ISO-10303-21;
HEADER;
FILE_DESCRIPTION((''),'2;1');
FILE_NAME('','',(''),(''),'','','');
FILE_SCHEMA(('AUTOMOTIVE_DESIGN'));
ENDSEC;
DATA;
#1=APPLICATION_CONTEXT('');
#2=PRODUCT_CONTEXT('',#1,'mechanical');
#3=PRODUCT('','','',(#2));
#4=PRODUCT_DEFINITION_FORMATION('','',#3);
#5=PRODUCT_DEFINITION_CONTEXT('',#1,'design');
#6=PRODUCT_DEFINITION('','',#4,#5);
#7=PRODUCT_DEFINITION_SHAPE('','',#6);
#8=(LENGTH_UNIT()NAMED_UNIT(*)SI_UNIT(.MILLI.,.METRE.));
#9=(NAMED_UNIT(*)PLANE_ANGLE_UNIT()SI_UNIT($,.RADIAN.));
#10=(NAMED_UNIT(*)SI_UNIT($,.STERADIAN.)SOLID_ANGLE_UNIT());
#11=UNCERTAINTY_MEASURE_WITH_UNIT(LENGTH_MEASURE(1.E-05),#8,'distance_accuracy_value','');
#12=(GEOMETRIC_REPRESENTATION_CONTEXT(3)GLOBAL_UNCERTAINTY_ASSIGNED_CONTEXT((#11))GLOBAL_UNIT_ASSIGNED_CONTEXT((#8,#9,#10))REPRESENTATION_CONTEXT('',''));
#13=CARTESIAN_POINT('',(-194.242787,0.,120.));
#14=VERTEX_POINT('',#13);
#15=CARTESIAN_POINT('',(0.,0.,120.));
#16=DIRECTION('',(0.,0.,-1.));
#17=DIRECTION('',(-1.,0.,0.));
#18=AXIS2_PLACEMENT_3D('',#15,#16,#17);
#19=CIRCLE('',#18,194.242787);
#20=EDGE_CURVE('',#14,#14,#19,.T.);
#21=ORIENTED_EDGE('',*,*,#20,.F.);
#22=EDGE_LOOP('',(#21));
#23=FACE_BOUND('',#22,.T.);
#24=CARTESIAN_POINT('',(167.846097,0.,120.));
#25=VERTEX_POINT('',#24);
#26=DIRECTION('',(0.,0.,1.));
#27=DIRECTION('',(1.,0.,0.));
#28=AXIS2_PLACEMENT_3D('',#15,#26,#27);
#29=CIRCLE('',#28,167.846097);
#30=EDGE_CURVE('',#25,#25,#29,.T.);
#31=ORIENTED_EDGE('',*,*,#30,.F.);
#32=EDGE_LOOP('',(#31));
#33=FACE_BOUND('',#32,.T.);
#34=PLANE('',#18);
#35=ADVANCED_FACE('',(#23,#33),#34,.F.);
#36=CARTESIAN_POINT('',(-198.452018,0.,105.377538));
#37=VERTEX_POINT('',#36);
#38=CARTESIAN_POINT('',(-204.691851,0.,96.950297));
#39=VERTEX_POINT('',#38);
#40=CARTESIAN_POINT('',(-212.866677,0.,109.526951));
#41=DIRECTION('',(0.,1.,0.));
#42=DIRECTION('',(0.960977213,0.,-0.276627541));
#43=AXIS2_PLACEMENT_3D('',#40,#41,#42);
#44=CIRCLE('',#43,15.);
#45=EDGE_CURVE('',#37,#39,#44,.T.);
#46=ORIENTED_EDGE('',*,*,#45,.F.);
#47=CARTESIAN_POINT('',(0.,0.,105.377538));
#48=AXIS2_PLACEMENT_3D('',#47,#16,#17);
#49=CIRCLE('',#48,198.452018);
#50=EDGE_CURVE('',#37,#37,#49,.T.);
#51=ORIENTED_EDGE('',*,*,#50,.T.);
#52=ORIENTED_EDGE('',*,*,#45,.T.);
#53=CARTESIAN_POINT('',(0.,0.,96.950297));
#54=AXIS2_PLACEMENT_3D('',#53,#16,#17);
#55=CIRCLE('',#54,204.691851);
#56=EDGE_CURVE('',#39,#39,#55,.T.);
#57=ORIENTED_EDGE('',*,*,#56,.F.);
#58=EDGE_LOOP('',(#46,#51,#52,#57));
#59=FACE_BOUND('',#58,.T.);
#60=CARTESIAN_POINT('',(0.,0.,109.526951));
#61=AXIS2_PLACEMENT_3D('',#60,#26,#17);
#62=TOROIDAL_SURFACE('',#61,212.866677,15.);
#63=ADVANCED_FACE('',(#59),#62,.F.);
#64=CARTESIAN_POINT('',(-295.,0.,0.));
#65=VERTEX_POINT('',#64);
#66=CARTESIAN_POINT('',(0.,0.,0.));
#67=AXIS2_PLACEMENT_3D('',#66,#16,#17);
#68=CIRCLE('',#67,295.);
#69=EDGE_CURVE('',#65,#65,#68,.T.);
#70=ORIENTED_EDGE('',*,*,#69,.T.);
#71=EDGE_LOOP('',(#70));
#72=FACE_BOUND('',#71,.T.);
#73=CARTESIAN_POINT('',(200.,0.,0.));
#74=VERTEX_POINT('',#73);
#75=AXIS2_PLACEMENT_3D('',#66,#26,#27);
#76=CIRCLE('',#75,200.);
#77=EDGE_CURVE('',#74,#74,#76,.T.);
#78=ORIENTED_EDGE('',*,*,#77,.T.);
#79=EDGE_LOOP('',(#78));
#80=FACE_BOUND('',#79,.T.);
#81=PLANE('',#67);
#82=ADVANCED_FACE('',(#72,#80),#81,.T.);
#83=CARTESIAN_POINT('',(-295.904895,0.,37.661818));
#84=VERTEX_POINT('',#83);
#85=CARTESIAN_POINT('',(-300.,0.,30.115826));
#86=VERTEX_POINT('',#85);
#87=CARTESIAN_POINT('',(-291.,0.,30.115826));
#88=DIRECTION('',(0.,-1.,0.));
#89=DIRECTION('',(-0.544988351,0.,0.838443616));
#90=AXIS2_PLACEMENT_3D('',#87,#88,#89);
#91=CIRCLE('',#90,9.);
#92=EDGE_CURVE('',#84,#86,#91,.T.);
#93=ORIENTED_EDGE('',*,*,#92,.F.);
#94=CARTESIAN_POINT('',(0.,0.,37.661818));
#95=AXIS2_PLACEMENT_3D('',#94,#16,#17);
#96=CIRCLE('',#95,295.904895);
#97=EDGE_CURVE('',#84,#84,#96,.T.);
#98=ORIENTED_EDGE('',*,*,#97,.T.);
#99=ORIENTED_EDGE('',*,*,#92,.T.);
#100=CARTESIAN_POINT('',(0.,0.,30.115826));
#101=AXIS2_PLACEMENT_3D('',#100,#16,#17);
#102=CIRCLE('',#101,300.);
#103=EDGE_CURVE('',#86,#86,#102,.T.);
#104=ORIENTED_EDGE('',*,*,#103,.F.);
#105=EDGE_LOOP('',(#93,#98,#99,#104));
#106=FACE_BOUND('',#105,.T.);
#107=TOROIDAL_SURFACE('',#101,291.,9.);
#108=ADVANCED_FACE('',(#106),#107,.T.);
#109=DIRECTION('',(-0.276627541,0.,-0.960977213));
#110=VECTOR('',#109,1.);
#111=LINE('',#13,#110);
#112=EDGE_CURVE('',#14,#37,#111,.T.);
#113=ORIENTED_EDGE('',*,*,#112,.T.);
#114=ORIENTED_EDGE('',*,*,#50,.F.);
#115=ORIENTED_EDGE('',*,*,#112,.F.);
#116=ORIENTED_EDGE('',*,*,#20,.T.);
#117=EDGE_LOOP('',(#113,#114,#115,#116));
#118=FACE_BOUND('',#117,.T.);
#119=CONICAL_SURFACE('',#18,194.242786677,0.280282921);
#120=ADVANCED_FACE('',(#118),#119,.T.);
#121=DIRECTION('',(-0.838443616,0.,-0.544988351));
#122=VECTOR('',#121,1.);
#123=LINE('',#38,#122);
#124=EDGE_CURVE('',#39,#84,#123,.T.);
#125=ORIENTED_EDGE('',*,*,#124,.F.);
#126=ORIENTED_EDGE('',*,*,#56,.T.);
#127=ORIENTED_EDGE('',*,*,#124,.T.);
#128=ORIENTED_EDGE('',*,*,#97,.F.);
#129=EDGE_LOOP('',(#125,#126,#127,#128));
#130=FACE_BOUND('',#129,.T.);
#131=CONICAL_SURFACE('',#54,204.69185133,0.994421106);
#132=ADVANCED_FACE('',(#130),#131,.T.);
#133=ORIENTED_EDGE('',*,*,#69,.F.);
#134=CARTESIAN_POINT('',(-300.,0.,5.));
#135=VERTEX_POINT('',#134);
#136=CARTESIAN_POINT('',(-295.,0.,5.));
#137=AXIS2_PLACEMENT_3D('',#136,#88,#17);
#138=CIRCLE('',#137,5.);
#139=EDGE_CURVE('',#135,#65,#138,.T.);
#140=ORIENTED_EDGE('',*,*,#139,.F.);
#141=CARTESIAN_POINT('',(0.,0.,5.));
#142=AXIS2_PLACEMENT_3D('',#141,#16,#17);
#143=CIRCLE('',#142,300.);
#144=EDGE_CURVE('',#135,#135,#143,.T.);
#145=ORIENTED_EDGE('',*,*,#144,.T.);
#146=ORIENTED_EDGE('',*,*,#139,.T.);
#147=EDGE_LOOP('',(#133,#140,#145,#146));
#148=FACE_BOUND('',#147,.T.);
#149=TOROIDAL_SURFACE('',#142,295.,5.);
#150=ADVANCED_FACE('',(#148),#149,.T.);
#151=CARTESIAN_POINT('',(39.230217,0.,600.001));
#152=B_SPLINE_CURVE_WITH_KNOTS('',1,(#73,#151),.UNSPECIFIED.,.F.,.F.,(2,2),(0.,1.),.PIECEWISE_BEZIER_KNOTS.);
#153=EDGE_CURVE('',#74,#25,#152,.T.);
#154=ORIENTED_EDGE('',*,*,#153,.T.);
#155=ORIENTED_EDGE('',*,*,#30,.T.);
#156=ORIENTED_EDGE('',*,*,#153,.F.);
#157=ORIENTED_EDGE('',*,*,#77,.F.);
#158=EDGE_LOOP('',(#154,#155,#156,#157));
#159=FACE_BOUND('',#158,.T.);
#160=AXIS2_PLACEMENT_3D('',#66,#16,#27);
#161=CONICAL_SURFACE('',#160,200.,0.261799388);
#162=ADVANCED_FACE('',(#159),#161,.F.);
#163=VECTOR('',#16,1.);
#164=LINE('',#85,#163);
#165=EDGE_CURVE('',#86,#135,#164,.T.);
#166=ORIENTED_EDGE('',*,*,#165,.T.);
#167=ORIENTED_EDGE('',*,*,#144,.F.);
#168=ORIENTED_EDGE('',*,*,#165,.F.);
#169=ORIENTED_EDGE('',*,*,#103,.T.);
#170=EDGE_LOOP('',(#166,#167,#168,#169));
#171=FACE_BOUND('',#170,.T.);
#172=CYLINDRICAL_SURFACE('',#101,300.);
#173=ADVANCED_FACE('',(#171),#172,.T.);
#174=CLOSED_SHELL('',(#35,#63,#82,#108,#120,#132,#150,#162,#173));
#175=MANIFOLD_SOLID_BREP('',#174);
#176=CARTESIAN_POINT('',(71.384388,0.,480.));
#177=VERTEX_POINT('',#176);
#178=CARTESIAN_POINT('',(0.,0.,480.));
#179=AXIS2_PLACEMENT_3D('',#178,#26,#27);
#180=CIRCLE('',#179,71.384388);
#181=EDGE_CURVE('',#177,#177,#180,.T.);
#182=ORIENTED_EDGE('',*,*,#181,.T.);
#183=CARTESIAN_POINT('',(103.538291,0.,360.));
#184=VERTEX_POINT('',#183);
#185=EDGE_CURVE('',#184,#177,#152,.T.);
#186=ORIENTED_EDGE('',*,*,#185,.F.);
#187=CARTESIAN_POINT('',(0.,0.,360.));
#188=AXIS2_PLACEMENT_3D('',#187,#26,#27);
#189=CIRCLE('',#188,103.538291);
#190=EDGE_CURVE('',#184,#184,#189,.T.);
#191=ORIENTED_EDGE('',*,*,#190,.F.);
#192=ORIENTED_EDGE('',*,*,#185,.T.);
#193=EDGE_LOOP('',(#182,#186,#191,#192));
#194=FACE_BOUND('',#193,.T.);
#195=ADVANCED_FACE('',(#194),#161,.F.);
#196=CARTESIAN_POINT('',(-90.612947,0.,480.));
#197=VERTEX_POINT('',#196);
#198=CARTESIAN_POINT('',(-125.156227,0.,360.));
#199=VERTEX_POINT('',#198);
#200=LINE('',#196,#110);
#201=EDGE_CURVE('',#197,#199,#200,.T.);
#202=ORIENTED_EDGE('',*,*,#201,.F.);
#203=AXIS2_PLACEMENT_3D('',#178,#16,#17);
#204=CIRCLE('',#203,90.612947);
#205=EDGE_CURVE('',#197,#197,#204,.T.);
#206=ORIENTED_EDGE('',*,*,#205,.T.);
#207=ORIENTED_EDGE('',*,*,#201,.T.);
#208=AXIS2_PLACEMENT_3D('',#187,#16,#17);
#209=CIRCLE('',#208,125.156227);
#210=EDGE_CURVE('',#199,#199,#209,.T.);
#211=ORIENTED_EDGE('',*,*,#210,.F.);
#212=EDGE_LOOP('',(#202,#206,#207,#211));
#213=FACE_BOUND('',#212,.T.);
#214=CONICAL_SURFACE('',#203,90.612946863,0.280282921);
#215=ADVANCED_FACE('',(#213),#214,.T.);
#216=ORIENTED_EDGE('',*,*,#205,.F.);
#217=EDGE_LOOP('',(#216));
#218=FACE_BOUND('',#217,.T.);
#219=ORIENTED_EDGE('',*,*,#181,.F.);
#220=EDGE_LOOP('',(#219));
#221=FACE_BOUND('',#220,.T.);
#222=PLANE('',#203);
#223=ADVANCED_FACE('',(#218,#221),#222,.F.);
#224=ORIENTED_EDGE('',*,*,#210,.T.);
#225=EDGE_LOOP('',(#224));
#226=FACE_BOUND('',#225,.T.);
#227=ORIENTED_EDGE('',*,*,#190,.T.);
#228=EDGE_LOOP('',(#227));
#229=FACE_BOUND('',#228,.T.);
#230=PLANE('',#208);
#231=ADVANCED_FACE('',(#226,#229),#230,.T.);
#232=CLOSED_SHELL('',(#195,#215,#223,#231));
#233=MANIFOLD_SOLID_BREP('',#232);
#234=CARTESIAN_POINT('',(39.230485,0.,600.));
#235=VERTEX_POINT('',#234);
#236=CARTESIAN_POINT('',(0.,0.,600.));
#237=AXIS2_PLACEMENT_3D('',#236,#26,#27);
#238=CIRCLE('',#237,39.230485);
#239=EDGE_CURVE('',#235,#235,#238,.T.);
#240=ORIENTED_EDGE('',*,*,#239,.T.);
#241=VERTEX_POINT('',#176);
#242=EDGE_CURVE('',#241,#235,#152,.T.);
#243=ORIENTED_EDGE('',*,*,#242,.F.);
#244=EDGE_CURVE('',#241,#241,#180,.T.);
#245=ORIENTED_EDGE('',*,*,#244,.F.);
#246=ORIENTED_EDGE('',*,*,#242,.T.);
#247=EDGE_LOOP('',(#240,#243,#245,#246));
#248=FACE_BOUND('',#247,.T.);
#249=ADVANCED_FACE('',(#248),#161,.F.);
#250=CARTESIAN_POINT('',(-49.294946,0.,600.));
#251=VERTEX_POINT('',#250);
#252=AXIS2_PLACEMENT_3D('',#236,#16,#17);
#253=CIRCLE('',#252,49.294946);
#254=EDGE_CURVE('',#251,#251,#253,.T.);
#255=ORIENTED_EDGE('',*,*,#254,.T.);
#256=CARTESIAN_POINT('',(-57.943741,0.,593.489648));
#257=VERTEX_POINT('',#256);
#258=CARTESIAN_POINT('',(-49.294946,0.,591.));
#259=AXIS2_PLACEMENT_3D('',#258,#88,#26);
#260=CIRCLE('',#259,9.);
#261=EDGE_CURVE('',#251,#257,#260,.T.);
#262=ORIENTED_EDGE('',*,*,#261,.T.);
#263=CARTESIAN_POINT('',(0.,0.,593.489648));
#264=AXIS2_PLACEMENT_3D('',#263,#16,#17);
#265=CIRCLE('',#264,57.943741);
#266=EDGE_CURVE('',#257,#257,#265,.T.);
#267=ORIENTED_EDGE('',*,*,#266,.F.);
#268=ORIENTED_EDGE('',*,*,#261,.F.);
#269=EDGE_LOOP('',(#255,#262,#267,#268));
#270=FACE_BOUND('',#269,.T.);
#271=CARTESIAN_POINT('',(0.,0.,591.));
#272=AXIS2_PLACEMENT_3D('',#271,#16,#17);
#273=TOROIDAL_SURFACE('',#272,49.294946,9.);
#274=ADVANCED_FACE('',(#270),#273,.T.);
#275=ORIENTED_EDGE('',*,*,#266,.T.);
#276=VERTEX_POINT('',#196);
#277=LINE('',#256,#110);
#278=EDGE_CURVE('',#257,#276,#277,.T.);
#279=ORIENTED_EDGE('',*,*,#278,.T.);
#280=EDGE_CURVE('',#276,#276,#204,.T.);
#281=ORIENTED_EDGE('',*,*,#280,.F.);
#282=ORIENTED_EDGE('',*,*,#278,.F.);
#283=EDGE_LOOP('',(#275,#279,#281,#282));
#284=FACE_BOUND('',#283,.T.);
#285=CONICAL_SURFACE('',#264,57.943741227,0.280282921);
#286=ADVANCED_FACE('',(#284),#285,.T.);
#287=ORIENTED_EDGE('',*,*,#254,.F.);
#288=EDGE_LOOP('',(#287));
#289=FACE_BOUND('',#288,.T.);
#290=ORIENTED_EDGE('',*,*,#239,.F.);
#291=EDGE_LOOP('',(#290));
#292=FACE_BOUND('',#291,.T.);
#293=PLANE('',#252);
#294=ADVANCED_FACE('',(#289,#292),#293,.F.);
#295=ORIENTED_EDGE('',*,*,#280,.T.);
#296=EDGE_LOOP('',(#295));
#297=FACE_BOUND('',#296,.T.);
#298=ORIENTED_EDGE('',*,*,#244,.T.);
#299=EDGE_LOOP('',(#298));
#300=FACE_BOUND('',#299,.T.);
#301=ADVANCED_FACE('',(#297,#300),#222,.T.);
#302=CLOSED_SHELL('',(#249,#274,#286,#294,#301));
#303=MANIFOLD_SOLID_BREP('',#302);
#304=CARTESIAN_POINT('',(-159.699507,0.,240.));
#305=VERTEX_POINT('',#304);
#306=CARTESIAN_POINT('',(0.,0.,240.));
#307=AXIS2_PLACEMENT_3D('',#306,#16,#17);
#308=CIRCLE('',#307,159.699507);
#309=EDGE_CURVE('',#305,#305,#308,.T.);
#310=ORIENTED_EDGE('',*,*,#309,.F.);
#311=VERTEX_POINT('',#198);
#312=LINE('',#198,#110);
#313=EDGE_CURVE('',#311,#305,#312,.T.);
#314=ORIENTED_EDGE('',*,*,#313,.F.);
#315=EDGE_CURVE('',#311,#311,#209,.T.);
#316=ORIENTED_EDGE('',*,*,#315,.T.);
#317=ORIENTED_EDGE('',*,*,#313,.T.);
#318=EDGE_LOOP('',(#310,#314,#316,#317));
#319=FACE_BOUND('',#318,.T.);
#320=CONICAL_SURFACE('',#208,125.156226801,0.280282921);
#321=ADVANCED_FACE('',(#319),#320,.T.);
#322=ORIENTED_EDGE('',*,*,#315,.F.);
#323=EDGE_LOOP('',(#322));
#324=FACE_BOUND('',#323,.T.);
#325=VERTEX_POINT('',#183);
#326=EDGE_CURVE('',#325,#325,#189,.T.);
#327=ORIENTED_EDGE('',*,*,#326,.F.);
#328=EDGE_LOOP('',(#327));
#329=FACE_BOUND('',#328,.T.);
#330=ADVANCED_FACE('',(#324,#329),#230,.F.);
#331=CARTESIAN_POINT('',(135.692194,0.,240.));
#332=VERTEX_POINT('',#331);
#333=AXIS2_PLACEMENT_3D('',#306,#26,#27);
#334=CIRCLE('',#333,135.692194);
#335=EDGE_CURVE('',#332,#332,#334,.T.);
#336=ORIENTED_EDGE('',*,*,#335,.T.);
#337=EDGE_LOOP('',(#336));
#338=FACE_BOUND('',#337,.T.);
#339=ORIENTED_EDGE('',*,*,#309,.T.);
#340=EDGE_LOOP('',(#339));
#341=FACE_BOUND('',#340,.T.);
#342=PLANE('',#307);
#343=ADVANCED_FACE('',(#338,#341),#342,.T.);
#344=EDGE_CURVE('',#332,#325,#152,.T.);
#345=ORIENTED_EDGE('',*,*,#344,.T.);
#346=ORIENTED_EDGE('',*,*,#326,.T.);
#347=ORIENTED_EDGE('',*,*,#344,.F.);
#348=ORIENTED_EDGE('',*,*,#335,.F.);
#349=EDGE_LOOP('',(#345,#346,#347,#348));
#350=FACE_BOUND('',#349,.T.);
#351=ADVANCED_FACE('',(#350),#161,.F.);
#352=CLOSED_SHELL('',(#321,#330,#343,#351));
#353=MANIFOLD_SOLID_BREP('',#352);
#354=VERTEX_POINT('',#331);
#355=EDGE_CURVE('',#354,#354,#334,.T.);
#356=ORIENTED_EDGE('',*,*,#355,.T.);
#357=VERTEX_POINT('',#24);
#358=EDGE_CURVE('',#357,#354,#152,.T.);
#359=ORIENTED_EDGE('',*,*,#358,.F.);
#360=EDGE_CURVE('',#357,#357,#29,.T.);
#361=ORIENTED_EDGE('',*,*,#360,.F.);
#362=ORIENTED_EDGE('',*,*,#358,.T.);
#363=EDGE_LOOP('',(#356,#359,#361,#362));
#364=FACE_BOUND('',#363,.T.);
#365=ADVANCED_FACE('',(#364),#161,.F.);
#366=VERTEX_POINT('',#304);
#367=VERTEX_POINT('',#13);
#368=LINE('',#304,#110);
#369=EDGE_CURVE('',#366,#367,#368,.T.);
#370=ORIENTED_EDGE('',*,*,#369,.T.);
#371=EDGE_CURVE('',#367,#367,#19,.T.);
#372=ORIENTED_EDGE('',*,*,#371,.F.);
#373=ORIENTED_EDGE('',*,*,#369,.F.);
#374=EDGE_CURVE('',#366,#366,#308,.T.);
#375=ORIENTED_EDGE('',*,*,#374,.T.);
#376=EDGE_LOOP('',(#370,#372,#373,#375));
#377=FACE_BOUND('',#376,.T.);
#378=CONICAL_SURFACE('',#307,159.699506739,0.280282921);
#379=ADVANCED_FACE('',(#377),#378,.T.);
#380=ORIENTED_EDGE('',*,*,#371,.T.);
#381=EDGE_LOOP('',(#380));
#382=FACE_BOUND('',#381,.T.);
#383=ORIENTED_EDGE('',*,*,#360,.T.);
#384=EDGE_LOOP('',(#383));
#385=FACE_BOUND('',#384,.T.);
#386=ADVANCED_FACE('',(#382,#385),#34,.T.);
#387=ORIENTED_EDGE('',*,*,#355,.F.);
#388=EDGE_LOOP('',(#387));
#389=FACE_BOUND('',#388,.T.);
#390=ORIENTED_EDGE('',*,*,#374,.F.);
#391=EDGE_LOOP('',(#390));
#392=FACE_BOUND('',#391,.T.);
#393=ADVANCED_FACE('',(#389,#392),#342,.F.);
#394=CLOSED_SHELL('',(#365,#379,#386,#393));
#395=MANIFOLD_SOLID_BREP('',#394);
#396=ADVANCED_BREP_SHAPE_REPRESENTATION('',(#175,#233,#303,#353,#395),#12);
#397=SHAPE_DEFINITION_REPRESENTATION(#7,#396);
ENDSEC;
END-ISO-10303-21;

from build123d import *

# Parameters (mm, degrees)
F6_R     = 200
F7_DEPTH = 600.001
F7_TAPER = 15


with BuildPart() as f1:
    # F0 (on Front) → F1 (revolve)
    with BuildSketch(Plane.XZ):
        with BuildLine():
            Line((-90.612946863, 480), (0, 480))
            Line((0, 480), (0, 600))
            Line((0, 600), (-49.294946311, 600))
            ThreePointArc((-49.294946311, 600), (-54.7075782588, 598.1905087022), (-57.9437412272, 593.489647866))
            Line((-57.9437412272, 593.489647866), (-90.612946863, 480))
        make_face()
    revolve(axis=Axis((0, 0, 300), (0, 0, -1)))


with BuildPart() as f2:
    # F0 (on Front) → F2 (revolve)
    with BuildSketch(Plane.XZ):
        Polygon((-125.156226801, 360), (0, 360), (0, 480), (-90.612946863, 480), align=None)
    revolve(axis=Axis((0, 0, 300), (0, 0, -1)))


with BuildPart() as f3:
    # F0 (on Front) → F3 (revolve)
    with BuildSketch(Plane.XZ):
        Polygon((-159.699506739, 240), (0, 240), (0, 360), (-125.156226801, 360), align=None)
    revolve(axis=Axis((0, 0, 300), (0, 0, -1)))


with BuildPart() as f4:
    # F0 (on Front) → F4 (revolve)
    with BuildSketch(Plane.XZ):
        Polygon((-194.242786677, 120), (0, 120), (0, 240), (-159.699506739, 240), align=None)
    revolve(axis=Axis((0, 0, 300), (0, 0, -1)))


with BuildPart() as f5:
    # F0 (on Front) → F5 (revolve)
    with BuildSketch(Plane.XZ):
        with BuildLine():
            Line((-295, 0), (0, 0))
            Line((0, 0), (0, 120))
            Line((0, 120), (-194.242786677, 120))
            Line((-194.242786677, 120), (-198.4520183953, 105.37753777))
            ThreePointArc((-198.4520183953, 105.37753777), (-200.8115619505, 100.6009097054), (-204.6918513301, 96.9502966354))
            Line((-204.6918513301, 96.9502966354), (-295.9048951554, 37.661818149))
            ThreePointArc((-295.9048951554, 37.661818149), (-298.910248302, 34.4086069619), (-300, 30.1158256023))
            Line((-300, 30.1158256023), (-300, 5))
            ThreePointArc((-300, 5), (-298.5355339059, 1.4644660941), (-295, 0))
        make_face()
    revolve(axis=Axis((0, 0, 300), (0, 0, -1)))


with BuildPart() as f7_tool:
    # F6 (on face) → F7 (new body, through all)
    with BuildSketch(Plane(origin=(0, 0, 0), x_dir=(1, 0, 0), z_dir=(0, 0, -1))):
        Circle(F6_R)
    extrude(amount=-F7_DEPTH, taper=F7_TAPER)


with BuildPart() as f1_1:
    add(f1.part)

    # F7: cut by f7_tool
    add(f7_tool.part, mode=Mode.SUBTRACT)


with BuildPart() as f2_1:
    add(f2.part)

    # F7: cut by f7_tool
    add(f7_tool.part, mode=Mode.SUBTRACT)


with BuildPart() as f3_1:
    add(f3.part)

    # F7: cut by f7_tool
    add(f7_tool.part, mode=Mode.SUBTRACT)


with BuildPart() as f4_1:
    add(f4.part)

    # F7: cut by f7_tool
    add(f7_tool.part, mode=Mode.SUBTRACT)


with BuildPart() as f5_1:
    add(f5.part)

    # F7: cut by f7_tool
    add(f7_tool.part, mode=Mode.SUBTRACT)


solid = Compound([f1_1.part, f2_1.part, f3_1.part, f4_1.part, f5_1.part])
